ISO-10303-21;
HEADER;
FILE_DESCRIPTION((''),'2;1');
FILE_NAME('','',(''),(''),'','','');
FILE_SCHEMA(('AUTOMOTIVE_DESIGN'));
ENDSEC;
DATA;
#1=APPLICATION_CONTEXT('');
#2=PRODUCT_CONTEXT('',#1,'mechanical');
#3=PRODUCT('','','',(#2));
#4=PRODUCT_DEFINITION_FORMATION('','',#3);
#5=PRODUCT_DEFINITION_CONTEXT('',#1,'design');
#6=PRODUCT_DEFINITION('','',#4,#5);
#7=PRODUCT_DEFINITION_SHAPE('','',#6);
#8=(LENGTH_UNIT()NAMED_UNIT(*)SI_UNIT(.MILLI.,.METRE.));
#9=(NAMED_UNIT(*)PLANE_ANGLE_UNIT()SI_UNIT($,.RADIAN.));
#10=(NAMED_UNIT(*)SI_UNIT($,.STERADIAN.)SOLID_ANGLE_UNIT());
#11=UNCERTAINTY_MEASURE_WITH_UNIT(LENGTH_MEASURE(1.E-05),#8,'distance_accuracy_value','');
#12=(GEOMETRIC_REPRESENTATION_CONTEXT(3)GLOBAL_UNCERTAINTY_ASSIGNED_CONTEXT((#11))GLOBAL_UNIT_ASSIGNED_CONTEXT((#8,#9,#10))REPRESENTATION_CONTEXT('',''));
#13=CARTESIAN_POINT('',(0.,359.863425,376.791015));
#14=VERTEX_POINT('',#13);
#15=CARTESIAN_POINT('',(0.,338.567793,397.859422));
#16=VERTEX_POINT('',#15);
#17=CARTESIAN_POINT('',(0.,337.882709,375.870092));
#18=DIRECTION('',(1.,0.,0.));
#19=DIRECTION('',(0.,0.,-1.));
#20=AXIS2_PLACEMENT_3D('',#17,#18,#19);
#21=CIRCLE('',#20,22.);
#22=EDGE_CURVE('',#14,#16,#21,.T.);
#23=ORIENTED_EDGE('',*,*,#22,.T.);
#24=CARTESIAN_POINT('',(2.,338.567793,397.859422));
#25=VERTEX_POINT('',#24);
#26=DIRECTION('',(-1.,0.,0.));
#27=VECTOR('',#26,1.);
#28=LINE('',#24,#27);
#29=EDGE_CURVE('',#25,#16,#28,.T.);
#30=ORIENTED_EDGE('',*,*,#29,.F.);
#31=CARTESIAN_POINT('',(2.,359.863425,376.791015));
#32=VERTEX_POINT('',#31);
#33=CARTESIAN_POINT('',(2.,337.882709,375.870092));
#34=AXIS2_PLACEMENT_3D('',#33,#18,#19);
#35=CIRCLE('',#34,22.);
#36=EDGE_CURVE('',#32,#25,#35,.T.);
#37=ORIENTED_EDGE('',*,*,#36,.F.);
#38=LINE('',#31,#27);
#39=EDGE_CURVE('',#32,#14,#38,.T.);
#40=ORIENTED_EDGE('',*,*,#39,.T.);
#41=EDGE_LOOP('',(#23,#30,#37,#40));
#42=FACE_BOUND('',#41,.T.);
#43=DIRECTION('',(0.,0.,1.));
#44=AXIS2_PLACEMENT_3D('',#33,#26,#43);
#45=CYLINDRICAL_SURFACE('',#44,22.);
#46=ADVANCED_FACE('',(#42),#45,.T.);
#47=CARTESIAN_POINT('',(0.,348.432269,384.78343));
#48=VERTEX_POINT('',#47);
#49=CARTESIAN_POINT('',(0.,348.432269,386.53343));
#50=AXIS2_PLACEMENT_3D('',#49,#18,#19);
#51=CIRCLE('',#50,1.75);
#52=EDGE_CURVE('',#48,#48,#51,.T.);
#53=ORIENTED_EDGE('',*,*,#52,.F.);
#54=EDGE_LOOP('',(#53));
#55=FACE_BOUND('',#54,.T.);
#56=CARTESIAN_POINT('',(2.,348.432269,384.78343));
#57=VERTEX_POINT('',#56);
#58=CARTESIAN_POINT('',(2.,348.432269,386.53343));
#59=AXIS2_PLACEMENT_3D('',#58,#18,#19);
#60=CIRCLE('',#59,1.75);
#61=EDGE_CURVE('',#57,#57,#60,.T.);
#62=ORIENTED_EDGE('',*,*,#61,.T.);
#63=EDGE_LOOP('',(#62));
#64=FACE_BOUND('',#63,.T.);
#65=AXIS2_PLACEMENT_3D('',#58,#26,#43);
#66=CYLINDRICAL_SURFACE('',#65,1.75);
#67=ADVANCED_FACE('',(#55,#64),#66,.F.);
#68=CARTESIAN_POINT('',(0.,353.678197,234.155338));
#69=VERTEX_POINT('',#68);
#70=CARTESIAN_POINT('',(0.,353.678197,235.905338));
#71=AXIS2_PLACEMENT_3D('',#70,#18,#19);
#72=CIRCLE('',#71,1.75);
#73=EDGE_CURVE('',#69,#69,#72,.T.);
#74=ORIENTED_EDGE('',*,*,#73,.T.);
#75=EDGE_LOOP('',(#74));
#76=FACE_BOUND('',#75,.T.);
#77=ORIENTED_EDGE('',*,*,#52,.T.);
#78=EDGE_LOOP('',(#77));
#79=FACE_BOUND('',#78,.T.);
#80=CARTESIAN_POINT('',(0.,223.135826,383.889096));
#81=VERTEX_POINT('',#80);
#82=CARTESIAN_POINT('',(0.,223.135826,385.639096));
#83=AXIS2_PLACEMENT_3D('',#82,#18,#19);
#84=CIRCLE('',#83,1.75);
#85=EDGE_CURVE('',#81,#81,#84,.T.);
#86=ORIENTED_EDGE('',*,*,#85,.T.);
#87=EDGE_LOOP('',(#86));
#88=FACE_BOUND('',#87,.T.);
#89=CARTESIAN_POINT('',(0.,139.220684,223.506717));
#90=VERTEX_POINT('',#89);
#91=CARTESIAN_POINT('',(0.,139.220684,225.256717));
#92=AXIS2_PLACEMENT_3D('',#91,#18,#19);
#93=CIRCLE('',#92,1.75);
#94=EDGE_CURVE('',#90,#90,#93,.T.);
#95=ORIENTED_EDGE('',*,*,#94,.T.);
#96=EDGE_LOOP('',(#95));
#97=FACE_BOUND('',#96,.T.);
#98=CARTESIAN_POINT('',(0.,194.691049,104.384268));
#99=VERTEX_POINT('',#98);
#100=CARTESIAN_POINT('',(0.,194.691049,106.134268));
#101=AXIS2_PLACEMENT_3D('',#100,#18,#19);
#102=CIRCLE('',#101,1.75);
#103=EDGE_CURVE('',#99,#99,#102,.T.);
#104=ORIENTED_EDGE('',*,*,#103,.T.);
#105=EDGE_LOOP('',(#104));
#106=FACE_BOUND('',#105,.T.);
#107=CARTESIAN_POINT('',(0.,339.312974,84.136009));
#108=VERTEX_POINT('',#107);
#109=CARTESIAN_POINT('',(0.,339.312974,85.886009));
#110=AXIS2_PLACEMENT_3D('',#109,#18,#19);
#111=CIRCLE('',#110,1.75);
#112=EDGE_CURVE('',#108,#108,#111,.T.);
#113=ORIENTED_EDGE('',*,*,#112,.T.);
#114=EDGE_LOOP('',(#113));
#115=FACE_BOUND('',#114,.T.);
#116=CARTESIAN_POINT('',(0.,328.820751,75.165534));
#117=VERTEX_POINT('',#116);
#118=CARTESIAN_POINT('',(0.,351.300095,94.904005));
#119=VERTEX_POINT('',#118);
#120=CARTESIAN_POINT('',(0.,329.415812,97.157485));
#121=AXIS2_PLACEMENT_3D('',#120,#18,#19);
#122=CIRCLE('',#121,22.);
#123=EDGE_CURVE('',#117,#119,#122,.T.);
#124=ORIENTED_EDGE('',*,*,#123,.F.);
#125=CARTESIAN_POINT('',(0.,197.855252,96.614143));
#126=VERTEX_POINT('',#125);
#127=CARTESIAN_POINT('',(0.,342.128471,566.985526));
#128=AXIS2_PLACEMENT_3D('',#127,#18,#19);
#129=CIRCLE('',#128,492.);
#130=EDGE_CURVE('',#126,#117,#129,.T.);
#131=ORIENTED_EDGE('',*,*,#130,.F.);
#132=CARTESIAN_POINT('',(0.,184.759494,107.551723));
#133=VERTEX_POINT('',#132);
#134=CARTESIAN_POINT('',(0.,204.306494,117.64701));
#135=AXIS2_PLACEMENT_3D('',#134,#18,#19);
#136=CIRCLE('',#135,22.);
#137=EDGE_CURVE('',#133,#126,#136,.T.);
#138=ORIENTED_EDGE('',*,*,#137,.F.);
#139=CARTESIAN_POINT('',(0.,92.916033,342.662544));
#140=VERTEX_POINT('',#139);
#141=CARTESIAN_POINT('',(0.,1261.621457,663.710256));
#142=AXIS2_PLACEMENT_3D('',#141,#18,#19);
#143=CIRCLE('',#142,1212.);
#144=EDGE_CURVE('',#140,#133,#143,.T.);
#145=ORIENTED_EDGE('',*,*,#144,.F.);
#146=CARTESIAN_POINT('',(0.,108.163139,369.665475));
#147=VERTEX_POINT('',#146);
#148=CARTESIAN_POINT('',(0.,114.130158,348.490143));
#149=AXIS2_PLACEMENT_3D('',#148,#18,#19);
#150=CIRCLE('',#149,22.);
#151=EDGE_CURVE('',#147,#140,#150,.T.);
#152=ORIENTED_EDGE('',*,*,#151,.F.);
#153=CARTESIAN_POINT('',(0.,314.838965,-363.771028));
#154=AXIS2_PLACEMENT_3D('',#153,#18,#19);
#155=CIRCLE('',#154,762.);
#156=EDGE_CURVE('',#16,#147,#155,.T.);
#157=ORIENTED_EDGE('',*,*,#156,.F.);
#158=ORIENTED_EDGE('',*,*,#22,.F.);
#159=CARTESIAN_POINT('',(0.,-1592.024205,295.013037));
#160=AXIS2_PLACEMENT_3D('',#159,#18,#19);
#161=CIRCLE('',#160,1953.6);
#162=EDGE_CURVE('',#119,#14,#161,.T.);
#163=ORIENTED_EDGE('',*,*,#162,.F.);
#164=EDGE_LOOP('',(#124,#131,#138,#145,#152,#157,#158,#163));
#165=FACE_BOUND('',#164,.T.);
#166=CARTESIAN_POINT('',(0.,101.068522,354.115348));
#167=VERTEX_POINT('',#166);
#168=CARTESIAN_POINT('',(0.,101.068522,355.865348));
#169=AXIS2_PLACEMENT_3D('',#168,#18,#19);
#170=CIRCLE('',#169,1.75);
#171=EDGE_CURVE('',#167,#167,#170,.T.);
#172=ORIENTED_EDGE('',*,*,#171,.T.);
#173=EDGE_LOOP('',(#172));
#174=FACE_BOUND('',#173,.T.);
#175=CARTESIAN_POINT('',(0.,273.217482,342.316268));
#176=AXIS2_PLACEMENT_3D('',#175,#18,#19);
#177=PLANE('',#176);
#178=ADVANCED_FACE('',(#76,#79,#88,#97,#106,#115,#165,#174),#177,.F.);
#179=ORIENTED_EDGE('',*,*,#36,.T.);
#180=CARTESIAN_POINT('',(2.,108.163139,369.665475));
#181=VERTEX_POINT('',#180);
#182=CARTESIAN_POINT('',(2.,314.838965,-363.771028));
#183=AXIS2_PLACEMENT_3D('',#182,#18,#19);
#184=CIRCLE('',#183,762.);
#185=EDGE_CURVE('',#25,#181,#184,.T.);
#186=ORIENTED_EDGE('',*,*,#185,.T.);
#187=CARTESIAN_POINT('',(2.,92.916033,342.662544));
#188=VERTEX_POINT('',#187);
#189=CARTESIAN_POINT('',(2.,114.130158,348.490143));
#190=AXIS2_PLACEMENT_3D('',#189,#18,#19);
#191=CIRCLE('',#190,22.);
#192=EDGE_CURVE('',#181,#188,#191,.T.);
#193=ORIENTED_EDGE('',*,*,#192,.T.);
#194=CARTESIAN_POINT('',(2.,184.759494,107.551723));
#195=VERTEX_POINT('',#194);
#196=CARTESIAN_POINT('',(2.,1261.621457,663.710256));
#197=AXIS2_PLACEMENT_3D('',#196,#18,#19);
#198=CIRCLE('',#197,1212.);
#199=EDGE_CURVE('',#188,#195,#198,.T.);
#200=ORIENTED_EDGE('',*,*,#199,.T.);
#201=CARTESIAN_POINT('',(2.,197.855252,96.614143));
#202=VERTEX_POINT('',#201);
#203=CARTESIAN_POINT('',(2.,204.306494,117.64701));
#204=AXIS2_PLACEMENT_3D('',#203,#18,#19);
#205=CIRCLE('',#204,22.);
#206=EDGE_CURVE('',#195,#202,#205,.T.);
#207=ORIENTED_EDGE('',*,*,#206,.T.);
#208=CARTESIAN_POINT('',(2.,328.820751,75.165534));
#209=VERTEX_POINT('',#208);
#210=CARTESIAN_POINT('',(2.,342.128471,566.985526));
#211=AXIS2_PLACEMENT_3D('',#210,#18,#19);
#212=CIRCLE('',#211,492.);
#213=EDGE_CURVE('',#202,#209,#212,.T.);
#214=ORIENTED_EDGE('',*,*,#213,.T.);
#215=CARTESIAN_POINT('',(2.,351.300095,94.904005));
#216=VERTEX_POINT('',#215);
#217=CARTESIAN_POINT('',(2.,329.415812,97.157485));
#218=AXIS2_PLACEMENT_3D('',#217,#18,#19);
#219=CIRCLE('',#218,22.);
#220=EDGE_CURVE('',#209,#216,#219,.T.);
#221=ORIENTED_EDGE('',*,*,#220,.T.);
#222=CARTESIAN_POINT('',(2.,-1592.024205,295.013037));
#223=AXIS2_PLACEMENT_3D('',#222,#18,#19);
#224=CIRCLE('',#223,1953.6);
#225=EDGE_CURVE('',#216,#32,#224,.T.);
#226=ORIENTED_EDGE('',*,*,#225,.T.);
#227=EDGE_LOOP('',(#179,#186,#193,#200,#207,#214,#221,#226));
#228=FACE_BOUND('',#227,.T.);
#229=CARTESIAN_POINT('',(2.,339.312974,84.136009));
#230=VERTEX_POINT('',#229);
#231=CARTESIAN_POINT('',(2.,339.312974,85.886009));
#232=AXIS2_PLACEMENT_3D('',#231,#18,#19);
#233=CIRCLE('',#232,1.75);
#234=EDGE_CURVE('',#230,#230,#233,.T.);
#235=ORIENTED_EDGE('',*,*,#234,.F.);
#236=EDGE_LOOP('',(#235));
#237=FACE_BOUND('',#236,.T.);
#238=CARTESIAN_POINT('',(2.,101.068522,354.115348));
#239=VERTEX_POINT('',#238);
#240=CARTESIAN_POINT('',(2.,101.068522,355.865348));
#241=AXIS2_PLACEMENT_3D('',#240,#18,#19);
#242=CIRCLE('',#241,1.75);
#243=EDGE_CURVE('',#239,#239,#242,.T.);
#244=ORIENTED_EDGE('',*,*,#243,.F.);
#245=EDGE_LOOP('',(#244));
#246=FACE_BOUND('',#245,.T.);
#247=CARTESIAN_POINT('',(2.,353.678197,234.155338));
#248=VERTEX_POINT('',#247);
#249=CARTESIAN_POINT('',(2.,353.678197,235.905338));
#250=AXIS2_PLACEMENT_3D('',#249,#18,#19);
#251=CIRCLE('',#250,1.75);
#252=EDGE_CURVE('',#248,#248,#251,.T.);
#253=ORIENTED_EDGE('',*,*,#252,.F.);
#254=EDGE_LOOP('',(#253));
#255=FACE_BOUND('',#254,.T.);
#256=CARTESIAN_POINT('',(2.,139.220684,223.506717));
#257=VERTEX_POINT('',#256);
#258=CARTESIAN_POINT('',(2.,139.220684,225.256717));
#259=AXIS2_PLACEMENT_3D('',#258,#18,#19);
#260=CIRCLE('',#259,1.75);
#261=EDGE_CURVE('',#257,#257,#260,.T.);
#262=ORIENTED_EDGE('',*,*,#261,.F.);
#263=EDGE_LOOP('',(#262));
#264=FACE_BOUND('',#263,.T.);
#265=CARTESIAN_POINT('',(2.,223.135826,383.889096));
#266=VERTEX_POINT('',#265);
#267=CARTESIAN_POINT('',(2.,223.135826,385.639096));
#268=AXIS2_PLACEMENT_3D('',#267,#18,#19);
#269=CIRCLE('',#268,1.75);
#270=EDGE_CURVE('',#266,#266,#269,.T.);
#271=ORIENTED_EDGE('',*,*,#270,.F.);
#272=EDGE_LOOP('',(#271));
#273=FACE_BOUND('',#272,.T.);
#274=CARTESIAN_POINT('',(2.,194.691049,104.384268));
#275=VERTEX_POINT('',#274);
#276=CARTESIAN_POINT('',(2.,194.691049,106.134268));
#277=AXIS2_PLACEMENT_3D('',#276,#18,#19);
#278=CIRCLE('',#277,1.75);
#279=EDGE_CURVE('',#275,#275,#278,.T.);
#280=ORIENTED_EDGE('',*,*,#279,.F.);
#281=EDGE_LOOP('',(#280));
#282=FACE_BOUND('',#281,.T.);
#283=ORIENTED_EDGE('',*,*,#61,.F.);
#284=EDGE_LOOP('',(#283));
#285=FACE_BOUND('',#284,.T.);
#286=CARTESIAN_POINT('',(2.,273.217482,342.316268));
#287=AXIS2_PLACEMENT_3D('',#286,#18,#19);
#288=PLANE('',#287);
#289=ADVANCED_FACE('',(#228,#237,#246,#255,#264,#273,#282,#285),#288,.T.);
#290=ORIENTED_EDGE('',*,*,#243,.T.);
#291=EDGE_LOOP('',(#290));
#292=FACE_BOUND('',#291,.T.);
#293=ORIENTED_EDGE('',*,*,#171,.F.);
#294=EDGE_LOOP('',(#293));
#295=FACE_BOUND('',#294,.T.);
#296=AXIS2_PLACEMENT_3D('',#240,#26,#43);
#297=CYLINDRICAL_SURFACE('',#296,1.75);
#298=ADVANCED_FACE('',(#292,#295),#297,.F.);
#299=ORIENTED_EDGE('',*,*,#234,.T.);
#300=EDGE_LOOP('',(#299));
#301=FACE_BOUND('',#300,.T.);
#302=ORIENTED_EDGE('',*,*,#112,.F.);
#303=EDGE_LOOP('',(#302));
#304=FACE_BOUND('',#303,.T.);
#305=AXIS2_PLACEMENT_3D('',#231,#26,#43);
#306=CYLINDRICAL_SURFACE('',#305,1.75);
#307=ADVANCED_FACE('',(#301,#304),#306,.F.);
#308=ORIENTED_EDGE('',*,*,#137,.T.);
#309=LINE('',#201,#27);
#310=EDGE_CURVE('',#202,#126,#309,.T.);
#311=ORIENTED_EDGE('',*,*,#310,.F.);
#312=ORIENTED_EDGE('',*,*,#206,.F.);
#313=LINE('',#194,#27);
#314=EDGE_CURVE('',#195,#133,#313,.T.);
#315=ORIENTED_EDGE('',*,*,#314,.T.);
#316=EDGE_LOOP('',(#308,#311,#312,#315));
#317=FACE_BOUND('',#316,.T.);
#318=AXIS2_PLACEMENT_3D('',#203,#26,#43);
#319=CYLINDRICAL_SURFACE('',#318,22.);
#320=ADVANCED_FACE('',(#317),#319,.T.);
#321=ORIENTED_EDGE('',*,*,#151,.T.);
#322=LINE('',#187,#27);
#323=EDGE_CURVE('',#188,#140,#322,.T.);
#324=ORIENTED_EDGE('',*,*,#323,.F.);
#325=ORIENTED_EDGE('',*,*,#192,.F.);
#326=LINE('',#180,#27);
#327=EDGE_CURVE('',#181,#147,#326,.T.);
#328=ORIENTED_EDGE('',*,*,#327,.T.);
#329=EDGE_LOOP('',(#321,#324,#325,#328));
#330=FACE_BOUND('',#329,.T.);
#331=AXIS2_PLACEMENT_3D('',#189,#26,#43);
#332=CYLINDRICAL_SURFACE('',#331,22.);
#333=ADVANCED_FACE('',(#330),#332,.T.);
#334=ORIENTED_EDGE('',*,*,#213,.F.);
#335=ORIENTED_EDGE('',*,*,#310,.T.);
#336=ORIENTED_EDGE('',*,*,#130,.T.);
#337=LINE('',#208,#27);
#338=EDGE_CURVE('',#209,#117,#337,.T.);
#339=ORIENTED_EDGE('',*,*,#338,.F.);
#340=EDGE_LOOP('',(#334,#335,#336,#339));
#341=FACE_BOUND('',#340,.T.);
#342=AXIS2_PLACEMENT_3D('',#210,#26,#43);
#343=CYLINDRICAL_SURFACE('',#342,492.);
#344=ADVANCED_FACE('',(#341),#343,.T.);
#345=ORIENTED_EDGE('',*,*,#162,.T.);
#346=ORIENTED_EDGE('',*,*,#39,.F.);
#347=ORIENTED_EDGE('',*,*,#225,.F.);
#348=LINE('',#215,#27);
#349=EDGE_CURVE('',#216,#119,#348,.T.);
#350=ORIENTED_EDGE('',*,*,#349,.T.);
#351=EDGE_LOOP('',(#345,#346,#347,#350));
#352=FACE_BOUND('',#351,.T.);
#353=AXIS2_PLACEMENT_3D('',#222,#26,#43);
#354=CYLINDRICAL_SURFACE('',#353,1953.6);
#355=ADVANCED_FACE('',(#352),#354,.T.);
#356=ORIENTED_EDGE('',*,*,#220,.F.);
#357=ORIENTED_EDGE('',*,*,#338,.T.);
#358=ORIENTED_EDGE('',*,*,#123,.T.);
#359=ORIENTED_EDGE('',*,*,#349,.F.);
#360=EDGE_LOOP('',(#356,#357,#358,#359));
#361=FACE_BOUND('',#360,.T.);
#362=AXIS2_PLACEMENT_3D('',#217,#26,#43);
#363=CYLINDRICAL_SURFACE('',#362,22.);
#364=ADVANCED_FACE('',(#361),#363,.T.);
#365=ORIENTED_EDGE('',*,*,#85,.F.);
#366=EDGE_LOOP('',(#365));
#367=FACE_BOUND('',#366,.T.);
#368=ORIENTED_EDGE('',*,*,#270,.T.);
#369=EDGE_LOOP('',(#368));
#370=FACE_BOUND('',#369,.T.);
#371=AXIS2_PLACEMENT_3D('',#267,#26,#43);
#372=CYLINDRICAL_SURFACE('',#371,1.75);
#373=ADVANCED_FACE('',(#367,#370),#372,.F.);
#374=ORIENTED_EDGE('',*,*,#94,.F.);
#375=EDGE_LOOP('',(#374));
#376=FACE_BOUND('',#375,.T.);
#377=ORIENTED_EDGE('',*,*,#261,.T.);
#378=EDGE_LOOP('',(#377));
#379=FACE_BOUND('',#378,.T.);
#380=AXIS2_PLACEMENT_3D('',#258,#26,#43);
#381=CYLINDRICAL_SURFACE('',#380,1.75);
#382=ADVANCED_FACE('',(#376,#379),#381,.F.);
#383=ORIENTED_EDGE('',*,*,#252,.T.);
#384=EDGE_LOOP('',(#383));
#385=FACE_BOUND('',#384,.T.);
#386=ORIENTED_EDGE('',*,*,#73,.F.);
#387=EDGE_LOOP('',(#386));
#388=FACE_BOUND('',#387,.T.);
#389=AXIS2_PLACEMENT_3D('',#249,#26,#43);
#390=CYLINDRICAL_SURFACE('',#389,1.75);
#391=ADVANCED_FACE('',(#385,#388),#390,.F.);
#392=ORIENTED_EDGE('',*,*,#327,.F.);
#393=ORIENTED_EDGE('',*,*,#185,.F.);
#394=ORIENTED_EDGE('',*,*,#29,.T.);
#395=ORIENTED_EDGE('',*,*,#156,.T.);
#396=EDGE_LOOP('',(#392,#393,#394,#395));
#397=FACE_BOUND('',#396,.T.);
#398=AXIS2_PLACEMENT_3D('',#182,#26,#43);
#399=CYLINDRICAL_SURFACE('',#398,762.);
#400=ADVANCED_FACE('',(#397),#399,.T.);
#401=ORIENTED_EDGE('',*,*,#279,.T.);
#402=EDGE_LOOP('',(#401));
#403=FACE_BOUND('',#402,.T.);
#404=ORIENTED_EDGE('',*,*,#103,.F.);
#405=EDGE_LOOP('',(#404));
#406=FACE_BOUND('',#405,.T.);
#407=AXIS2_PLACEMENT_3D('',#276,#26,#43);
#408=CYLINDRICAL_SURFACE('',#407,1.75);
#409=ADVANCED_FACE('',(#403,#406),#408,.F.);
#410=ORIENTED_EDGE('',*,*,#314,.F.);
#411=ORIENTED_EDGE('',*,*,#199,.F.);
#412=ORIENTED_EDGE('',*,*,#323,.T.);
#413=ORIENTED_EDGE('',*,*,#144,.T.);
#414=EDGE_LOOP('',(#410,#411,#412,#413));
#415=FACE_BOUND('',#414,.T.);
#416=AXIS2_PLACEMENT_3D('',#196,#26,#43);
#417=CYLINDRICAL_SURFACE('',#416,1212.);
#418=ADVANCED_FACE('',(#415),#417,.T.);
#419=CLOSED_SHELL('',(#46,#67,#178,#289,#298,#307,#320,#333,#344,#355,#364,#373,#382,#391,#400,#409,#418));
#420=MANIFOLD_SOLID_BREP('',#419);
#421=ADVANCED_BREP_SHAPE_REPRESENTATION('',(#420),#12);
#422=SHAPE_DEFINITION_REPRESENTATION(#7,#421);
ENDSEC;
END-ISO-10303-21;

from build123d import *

# Parameters (mm, degrees)
CROQUIS2_R              = 1.75
SALIENTE_EXTRUIR1_DEPTH = 2


with BuildPart() as part:
    # Croquis2 → Saliente-Extruir1 (new body)
    with BuildSketch(Plane(origin=(0, 0, 0), x_dir=(0, 0, -1), z_dir=(1, 0, 0))):
        with BuildLine():
            ThreePointArc((-96.614142786, 197.855252051), (-81.453806027, 262.611499523), (-75.165534077, 328.820751393))
            ThreePointArc((-75.165534077, 328.820751393), (-80.625986242, 343.931649954), (-94.904004852, 351.300094686))
            ThreePointArc((-94.904004852, 351.300094686), (-235.692785429, 360.674969525), (-376.791015079, 359.863425139))
            ThreePointArc((-376.791015079, 359.863425139), (-391.509654572, 353.355396757), (-397.859422485, 338.567792847))
            ThreePointArc((-397.859422485, 338.567792847), (-392.587269832, 222.285598409), (-369.665474686, 108.163139426))
            ThreePointArc((-369.665474686, 108.163139426), (-359.307110382, 94.973091226), (-342.66254386, 92.916033167))
            ThreePointArc((-342.66254386, 92.916033167), (-222.709683854, 132.700513572), (-107.551722613, 184.759494235))
            ThreePointArc((-107.551722613, 184.759494235), (-100.761654757, 190.203841513), (-96.614142786, 197.855252051))
        make_face()
        with Locations((-85.886008555, 339.31297425)):
            Circle(CROQUIS2_R, mode=Mode.SUBTRACT)
        with Locations((-235.905337517, 353.678197297)):
            Circle(CROQUIS2_R, mode=Mode.SUBTRACT)
        with Locations((-386.533430085, 348.4322687)):
            Circle(CROQUIS2_R, mode=Mode.SUBTRACT)
        with Locations((-385.639096494, 223.135826186)):
            Circle(CROQUIS2_R, mode=Mode.SUBTRACT)
        with Locations((-355.865347904, 101.068521567)):
            Circle(CROQUIS2_R, mode=Mode.SUBTRACT)
        with Locations((-225.256716861, 139.220684034)):
            Circle(CROQUIS2_R, mode=Mode.SUBTRACT)
        with Locations((-106.134267637, 194.691048979)):
            Circle(CROQUIS2_R, mode=Mode.SUBTRACT)
    extrude(amount=SALIENTE_EXTRUIR1_DEPTH)


solid = part.part
